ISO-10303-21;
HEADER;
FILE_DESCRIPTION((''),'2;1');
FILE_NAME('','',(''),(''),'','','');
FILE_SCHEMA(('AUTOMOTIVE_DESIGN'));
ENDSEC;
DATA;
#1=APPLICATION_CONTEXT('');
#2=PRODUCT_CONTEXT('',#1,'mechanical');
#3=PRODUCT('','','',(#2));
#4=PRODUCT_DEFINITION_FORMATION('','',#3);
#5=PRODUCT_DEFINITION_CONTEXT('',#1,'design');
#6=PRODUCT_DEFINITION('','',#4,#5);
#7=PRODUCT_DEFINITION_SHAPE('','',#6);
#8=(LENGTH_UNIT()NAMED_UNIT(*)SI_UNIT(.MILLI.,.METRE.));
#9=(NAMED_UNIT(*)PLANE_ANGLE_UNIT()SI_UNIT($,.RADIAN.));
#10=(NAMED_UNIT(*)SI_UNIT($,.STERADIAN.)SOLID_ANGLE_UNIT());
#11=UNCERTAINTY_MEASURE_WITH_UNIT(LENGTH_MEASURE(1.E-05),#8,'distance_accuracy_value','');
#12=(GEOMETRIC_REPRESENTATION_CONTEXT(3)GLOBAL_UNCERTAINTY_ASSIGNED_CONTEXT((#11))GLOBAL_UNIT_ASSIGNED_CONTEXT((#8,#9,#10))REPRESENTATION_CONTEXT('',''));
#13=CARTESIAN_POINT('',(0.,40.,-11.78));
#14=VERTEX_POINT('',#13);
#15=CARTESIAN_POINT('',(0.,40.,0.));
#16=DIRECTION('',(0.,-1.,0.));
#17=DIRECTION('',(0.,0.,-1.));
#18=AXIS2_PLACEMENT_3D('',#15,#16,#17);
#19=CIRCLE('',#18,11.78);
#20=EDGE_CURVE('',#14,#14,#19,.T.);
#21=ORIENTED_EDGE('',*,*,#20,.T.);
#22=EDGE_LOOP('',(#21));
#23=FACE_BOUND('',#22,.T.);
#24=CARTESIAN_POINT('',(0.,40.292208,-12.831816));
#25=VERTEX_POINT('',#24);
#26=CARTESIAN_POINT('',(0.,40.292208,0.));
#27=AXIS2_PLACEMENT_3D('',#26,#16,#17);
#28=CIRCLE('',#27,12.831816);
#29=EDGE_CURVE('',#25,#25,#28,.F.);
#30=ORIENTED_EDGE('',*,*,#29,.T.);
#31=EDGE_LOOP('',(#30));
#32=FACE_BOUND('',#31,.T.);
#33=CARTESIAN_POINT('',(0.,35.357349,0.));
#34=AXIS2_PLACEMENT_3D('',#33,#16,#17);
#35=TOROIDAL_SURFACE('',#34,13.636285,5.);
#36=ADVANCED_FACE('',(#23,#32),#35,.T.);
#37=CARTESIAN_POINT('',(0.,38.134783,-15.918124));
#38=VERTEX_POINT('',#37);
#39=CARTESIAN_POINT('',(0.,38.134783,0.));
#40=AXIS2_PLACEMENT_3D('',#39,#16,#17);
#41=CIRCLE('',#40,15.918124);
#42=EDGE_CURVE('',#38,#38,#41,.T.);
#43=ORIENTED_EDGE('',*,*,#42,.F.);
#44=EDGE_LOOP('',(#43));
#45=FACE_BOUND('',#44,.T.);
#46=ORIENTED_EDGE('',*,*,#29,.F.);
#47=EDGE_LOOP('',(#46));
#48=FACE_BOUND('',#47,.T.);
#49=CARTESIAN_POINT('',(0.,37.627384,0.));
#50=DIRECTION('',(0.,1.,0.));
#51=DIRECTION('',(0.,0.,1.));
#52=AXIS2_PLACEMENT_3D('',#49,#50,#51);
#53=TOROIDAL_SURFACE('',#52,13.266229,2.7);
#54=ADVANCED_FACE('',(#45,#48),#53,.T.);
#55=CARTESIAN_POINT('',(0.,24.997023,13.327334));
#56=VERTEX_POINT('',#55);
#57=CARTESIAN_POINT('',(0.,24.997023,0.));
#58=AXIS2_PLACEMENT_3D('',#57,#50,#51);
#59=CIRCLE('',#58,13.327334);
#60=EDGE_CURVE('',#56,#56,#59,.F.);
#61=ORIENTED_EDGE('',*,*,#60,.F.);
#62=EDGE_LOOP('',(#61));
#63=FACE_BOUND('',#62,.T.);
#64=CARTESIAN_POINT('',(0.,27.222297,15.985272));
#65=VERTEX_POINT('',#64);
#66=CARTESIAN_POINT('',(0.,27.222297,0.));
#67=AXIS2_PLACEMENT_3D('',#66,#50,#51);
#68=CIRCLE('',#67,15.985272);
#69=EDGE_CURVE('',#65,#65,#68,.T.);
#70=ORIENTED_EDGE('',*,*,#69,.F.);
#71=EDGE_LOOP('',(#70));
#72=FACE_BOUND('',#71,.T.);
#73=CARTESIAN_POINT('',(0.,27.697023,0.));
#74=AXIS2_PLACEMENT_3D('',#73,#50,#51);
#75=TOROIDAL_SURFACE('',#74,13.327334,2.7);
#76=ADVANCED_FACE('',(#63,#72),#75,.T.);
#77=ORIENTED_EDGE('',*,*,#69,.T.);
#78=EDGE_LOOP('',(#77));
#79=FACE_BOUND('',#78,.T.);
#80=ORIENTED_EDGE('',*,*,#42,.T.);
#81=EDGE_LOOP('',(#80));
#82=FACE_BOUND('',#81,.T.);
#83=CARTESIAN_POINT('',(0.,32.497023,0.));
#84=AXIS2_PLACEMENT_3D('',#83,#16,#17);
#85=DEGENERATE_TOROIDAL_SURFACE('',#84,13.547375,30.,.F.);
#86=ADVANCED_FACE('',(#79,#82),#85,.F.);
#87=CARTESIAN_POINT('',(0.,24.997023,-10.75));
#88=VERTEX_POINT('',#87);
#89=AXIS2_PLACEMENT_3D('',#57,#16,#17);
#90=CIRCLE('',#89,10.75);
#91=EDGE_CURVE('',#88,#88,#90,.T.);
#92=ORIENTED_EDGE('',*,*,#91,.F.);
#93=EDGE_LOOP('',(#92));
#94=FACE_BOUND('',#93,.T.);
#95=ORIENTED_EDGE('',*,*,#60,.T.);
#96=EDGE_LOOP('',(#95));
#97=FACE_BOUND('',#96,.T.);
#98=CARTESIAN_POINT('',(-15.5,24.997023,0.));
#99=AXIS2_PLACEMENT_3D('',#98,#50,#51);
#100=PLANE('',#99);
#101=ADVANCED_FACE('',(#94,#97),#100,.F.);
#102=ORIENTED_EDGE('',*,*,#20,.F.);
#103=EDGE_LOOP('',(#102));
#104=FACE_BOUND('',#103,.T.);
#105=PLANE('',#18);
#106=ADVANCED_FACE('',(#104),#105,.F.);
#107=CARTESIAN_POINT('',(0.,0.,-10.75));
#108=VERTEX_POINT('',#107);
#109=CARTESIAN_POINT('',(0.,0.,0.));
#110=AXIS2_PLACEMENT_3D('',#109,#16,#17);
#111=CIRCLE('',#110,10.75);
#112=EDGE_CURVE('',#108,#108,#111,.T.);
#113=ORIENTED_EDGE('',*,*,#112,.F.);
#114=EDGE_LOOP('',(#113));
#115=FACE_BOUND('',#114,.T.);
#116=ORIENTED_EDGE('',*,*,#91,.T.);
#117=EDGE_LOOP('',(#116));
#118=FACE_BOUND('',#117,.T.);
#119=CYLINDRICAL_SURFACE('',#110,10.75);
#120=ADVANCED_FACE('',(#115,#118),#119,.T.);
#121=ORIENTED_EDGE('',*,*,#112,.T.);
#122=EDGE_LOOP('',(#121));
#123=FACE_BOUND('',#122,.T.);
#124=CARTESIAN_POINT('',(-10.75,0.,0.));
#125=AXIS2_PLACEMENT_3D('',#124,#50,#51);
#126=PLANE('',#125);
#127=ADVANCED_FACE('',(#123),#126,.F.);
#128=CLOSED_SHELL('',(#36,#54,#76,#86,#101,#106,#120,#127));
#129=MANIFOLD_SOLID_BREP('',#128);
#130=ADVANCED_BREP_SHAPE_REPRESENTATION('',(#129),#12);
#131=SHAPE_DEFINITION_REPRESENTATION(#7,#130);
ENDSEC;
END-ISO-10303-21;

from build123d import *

# Parameters (mm, degrees)
ZAOBLIT1_R = 2.7


with BuildPart() as part:
    # Skica1 → Rotovat1 (revolve)
    with BuildSketch(Plane.XY, mode=Mode.PRIVATE) as rotovat1_sk:
        with BuildLine():
            Line((0, 0), (0, 40))
            Line((0, 40), (-11.78, 40))
            ThreePointArc((-11.78, 40), (-13.640287208, 40.357347759), (-15.5, 39.997022564))
            ThreePointArc((-15.5, 39.997022564), (-16.452624903, 32.497022564), (-15.5, 24.997022564))
            Line((-15.5, 24.997022564), (-10.75, 24.997022564))
            Line((-10.75, 24.997022564), (-10.75, 0))
            Line((-10.75, 0), (0, 0))
        make_face()
    revolve(rotovat1_sk.sketch.rotate(Axis((0, 0, 0), (0, 1, 0)), 270), axis=Axis((0, 0, 0), (0, 1, 0)))

    # Zaoblit1
    zaoblit1_edges = [part.edges().sort_by_distance(p)[0] for p in [
        (0, 39.997022564, 15.5),
        (0, 24.997022564, 15.5),
    ]]
    fillet(zaoblit1_edges, radius=ZAOBLIT1_R)


solid = part.part
